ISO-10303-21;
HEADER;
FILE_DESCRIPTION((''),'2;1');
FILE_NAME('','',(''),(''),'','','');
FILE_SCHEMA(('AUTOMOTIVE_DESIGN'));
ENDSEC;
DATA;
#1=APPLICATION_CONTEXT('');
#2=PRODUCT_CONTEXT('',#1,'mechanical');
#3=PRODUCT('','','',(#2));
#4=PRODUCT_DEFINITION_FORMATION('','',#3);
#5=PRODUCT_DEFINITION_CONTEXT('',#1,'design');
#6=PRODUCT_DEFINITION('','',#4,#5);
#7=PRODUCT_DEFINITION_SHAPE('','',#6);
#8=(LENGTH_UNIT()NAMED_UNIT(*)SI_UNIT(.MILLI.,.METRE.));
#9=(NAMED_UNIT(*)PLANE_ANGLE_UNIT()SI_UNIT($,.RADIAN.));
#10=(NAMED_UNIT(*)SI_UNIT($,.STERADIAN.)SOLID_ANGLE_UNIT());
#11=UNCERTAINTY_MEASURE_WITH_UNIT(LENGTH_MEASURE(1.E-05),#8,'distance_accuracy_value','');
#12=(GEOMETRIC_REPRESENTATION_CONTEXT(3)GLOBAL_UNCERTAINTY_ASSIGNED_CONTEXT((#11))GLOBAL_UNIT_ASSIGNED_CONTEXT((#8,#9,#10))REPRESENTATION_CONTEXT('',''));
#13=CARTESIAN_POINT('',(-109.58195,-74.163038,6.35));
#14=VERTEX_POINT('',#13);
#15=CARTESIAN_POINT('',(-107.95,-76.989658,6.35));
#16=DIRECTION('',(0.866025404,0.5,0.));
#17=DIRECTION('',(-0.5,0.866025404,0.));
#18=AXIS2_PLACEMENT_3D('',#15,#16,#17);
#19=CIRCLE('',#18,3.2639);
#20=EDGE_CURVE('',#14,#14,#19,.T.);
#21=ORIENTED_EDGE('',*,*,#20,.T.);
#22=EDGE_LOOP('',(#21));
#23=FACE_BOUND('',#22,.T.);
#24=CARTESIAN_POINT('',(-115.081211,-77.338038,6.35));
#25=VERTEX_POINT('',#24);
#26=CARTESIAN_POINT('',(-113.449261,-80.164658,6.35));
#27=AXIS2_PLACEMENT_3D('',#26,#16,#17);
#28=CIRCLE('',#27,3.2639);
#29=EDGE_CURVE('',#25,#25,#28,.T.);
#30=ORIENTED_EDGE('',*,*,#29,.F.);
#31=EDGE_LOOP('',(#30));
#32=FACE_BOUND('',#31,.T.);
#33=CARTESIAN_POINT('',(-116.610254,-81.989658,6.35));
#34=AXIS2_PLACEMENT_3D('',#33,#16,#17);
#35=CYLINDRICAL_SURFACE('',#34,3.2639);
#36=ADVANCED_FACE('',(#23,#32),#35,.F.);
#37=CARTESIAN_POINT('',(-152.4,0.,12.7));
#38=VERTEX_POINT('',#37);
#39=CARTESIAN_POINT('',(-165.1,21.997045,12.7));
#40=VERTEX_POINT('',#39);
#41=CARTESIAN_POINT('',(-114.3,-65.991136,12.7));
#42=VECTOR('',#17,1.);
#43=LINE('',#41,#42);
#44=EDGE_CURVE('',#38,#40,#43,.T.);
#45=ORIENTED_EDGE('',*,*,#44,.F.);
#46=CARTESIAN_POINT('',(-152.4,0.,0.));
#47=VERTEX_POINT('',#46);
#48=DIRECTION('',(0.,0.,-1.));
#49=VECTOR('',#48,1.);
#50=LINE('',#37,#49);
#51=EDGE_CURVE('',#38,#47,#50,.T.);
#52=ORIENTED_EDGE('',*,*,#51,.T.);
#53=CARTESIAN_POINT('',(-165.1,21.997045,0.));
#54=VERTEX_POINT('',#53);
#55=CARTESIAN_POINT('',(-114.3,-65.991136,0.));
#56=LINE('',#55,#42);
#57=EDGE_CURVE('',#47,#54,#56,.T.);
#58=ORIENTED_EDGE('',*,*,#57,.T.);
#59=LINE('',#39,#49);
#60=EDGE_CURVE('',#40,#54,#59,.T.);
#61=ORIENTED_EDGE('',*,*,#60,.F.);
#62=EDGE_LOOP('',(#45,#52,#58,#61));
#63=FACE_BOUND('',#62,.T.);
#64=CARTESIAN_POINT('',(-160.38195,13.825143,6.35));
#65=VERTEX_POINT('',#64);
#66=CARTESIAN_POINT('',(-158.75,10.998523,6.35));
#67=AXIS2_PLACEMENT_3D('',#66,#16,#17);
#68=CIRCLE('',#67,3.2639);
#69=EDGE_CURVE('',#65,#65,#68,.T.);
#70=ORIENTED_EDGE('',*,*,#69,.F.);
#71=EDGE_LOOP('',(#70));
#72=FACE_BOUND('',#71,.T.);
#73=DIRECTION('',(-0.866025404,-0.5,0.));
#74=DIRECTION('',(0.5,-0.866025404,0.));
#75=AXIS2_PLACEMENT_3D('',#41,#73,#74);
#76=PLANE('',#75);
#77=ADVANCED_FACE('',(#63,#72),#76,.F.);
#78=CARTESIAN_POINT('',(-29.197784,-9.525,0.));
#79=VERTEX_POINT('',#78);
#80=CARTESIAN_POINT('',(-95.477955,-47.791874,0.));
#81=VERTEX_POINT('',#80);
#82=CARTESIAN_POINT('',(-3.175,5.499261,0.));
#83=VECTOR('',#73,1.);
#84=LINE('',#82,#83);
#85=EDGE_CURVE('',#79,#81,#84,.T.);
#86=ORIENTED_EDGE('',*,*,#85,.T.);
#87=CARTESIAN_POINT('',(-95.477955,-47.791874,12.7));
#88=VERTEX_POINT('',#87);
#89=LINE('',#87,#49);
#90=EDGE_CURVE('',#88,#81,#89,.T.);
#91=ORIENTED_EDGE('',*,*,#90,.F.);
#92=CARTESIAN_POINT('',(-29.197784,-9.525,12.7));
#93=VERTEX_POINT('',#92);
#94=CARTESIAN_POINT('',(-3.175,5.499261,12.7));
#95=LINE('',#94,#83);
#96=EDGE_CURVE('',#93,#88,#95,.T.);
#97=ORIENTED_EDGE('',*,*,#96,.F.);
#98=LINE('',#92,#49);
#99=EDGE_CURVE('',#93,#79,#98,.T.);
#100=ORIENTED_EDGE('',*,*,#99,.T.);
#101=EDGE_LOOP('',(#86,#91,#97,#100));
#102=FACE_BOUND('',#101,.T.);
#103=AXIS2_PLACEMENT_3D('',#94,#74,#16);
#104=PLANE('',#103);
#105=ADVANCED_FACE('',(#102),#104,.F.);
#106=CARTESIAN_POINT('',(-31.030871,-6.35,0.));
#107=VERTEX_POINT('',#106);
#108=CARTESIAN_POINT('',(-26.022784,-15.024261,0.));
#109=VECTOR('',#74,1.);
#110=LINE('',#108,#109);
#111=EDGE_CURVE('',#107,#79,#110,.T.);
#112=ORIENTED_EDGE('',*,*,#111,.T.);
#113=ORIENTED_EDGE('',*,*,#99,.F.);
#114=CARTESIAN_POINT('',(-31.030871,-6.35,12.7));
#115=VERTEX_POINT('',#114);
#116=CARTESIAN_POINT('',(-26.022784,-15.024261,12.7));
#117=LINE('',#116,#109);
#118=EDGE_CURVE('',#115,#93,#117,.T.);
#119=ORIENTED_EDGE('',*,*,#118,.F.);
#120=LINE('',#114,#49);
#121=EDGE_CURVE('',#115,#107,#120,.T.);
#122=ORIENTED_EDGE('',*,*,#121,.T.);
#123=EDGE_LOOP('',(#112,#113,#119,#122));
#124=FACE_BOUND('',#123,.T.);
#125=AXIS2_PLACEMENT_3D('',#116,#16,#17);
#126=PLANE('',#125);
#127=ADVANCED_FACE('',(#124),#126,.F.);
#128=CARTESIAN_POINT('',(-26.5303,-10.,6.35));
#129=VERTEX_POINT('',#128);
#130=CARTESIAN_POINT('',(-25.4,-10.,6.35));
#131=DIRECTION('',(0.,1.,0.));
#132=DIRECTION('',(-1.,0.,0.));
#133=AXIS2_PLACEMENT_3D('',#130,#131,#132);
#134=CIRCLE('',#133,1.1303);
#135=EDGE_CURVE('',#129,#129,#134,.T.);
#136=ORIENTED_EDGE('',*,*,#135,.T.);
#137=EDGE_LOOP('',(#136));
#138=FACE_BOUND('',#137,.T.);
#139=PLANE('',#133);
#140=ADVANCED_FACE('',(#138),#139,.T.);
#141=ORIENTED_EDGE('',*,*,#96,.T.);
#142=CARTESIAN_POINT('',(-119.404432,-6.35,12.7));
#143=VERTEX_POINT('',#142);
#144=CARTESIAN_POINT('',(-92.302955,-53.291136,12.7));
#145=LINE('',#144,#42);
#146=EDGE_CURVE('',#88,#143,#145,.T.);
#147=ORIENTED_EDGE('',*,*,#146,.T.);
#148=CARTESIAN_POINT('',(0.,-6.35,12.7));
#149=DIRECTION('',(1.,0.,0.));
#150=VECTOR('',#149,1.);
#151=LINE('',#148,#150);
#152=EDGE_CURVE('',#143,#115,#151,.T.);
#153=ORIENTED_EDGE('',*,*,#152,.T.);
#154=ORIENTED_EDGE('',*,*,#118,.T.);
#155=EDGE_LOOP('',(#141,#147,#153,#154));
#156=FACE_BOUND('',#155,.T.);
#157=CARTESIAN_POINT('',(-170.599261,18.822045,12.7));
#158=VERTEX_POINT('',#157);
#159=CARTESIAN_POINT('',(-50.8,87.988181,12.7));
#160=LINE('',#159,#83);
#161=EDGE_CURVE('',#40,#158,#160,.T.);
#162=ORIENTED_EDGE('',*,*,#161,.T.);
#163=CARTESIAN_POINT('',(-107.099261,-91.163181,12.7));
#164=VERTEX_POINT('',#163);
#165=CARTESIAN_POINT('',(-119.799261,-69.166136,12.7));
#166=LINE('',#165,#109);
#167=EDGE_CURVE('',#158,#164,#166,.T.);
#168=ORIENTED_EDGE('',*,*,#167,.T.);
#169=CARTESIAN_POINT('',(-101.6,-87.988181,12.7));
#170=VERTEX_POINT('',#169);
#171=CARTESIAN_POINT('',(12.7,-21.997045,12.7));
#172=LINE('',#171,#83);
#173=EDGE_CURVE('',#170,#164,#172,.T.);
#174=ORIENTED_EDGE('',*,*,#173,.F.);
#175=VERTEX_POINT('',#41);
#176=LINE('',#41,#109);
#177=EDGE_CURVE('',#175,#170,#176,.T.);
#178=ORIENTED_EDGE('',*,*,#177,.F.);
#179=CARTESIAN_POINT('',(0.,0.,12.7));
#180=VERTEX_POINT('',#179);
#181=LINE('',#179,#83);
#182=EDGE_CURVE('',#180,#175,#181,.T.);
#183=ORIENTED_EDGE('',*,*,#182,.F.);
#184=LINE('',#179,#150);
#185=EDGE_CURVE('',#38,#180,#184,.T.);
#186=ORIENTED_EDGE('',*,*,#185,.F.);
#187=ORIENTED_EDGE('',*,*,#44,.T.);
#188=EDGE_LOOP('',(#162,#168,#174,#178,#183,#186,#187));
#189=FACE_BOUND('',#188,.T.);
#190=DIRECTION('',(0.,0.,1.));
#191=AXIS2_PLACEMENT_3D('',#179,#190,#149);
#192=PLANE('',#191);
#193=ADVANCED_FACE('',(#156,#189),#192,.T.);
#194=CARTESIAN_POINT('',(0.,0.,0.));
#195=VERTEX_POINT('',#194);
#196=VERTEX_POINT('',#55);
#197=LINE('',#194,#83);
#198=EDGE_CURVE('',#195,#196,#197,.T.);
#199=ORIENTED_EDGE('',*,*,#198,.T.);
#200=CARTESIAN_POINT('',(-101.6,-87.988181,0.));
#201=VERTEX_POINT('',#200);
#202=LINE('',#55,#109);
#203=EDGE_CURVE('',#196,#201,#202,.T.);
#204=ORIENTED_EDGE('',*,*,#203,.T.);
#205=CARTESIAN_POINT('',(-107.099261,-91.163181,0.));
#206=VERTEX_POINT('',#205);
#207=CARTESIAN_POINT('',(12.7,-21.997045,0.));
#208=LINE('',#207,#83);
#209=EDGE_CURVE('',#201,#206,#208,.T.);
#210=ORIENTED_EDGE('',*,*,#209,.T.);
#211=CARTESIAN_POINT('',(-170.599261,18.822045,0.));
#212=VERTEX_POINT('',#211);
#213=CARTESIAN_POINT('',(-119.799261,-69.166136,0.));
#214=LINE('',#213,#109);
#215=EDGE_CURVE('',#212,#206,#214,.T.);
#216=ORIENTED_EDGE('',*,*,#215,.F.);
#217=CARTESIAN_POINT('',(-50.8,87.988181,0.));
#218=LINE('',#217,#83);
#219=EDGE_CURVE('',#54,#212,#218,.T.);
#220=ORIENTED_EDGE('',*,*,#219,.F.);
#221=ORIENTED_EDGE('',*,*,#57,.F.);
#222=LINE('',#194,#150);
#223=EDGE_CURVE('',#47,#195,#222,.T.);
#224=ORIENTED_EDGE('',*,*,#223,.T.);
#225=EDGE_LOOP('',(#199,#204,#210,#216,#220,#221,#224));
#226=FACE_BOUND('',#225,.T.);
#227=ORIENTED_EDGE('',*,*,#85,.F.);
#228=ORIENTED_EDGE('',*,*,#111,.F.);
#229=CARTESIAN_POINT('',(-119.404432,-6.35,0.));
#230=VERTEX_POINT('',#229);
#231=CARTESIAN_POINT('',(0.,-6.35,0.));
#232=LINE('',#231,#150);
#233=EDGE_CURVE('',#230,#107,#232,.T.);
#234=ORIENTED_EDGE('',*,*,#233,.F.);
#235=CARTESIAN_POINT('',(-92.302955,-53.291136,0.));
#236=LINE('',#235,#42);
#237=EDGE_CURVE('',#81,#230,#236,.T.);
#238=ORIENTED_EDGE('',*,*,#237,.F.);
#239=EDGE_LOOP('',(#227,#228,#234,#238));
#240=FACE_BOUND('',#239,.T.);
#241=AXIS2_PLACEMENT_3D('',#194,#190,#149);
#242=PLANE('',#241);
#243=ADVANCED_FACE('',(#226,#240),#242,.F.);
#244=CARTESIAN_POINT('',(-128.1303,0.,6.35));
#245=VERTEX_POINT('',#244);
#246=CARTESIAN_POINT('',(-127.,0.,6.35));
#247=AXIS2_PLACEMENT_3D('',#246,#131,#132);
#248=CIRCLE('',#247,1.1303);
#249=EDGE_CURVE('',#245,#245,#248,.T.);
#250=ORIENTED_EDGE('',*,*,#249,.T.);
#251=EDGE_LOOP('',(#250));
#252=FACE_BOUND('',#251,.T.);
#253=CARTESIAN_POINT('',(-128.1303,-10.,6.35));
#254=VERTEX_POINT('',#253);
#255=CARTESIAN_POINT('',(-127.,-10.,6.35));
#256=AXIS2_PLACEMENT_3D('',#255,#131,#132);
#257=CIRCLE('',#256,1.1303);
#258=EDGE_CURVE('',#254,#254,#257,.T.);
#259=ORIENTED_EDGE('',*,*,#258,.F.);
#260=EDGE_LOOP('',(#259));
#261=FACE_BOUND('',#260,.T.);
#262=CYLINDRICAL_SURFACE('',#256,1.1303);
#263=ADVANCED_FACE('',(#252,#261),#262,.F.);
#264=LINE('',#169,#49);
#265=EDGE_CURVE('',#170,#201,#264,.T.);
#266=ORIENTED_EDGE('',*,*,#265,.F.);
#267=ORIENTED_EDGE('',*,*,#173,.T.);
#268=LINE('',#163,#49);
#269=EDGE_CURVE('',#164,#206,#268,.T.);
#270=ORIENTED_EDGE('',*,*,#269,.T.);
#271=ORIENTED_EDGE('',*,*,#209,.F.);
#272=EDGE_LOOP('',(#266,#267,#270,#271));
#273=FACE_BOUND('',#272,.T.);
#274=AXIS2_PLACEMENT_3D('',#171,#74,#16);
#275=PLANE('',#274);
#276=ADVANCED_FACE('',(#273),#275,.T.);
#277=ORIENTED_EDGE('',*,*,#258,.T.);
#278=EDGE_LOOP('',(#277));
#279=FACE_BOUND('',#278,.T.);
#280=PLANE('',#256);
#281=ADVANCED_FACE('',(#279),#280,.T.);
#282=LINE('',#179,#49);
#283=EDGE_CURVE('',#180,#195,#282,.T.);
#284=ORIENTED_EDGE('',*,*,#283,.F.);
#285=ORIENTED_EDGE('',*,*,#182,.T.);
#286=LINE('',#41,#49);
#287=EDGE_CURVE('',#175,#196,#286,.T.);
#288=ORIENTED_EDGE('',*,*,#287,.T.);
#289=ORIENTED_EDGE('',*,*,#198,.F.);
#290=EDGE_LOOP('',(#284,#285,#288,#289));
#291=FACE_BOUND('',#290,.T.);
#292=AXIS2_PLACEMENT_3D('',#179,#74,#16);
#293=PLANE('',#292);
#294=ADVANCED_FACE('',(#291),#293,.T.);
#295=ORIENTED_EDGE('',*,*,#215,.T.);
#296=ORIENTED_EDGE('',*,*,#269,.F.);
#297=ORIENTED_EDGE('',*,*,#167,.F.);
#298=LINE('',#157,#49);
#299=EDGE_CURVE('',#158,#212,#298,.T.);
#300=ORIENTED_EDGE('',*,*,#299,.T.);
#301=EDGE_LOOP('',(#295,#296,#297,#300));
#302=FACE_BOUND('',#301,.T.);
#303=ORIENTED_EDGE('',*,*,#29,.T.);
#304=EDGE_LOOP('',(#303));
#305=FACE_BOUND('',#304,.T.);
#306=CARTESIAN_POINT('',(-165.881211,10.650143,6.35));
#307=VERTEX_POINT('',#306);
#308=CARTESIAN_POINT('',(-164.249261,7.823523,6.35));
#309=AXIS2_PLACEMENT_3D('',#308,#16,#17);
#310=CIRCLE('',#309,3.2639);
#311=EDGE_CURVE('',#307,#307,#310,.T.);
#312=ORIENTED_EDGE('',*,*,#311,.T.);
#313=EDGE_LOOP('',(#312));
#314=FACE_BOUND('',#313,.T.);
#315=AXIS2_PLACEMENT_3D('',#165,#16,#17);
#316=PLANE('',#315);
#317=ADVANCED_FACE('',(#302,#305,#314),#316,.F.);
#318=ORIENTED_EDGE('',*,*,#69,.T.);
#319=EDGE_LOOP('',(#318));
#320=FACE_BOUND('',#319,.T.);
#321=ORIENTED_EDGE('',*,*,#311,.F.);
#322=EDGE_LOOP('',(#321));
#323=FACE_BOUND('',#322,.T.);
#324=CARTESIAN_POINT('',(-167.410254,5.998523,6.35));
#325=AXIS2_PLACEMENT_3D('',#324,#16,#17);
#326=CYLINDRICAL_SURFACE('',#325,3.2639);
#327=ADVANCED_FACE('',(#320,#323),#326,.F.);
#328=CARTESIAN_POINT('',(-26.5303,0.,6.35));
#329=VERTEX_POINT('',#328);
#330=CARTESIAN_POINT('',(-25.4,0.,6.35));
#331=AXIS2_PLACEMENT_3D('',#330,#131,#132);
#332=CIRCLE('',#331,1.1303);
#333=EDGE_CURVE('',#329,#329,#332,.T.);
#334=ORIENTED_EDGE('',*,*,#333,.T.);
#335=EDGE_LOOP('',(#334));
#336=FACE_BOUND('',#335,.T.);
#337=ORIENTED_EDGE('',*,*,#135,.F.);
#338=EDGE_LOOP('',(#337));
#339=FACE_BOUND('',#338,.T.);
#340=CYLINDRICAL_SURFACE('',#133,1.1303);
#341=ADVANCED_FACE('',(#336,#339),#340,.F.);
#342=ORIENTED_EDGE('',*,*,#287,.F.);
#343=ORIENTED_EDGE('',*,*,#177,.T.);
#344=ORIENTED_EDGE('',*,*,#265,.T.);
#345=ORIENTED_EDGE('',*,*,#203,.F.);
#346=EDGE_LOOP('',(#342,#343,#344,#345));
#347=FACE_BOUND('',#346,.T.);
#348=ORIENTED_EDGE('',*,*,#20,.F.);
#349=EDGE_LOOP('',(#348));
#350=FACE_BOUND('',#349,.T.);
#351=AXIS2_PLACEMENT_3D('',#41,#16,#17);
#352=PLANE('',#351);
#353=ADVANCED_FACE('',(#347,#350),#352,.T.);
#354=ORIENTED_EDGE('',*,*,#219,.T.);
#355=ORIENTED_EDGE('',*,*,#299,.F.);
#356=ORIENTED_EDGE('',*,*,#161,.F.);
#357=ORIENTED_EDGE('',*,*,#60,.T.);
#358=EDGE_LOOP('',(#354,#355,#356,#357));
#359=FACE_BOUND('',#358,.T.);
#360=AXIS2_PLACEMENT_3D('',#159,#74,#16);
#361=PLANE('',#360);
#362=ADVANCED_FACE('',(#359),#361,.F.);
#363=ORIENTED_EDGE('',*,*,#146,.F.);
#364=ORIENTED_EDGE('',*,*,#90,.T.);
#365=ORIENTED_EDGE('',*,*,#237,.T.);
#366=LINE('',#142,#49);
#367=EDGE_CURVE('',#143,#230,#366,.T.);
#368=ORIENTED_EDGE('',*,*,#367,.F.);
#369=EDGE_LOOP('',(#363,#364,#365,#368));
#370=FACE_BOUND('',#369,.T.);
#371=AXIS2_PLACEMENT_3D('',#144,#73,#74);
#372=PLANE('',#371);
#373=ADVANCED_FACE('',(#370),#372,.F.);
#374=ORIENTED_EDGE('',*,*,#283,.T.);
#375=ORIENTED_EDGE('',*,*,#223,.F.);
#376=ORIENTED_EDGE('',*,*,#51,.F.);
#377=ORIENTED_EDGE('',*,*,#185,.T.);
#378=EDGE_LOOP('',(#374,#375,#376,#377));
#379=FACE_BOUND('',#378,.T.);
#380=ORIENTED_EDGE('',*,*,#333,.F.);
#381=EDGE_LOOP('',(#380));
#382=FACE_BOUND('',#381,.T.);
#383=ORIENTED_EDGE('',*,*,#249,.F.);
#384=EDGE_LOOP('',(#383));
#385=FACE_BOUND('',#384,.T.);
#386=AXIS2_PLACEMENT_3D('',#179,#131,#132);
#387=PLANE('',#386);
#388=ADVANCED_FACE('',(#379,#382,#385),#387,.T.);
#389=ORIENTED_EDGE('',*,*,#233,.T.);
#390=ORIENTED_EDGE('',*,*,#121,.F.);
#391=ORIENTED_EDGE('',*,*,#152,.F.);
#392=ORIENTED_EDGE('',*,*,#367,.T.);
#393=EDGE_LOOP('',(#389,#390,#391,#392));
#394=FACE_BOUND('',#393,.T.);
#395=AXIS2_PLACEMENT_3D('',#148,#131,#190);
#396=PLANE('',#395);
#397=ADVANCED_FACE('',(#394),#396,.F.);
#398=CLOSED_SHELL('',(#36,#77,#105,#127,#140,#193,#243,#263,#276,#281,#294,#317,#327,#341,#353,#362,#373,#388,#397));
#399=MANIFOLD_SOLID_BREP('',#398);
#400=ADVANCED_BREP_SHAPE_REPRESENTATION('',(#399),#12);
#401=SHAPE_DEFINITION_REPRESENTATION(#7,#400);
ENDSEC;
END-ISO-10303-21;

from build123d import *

# Parameters (mm, degrees)
BOSS_EXTRUDE1_DEPTH = 12.7
SKETCH2_R           = 1.1303
CUT_EXTRUDE1_DEPTH  = 10
SKETCH3_R           = 3.2639
CUT_EXTRUDE2_DEPTH  = 10


with BuildPart() as part:
    # Sketch1 → Boss-Extrude1 (new body)
    # profile 1 of 4: a face of its own
    with BuildSketch(Plane.XY):
        Polygon((-152.4, 0), (0, 0), (-114.3, -65.991135768), align=None)
        Polygon((-119.404432116, -6.35), (-31.030871047, -6.35), (-29.197783942, -9.525), (-95.477954744, -47.791874454), align=None, mode=Mode.SUBTRACT)
    # profile 2 of 4: a face of its own
    with BuildSketch(Plane.XY):
        Polygon((-165.1, 21.997045256), (-170.599261314, 18.822045256), (-157.899261314, -3.175), (-152.4, 0), align=None)
    # profile 3 of 4: a face of its own
    with BuildSketch(Plane.XY):
        Polygon((-157.899261314, -3.175), (-119.799261314, -69.166135768), (-114.3, -65.991135768), (-152.4, 0), align=None)
    # profile 4 of 4: a face of its own
    with BuildSketch(Plane.XY):
        Polygon((-107.099261314, -91.163181024), (-119.799261314, -69.166135768), (-114.3, -65.991135768), (-101.6, -87.988181024), align=None)
    extrude(amount=BOSS_EXTRUDE1_DEPTH)

    # Sketch2 → Cut-Extrude1 (cut)
    with BuildSketch(Plane(origin=(0, 0, 0), x_dir=(1, 0, 0), z_dir=(0, 1, 0))):
        with Locations(Location((-127, -6.35, 0), (0, 0, 180))):
            Circle(SKETCH2_R)
        with Locations(Location((-25.4, -6.35, 0), (0, 0, 180))):
            Circle(SKETCH2_R)
    extrude(amount=-CUT_EXTRUDE1_DEPTH, mode=Mode.SUBTRACT)

    # Sketch3 → Cut-Extrude2 (cut)
    with BuildSketch(Plane(origin=(-114.3, -65.991135768, 0), x_dir=(0, 0, -1), z_dir=(0.8660254037844342, 0.5000000000000079, 0))):
        with Locations(Location((-6.35, 88.9, 0), (0, 0, 90))):
            Circle(SKETCH3_R)
        with Locations(Location((-6.35, -12.7, 0), (0, 0, 90))):
            Circle(SKETCH3_R)
    extrude(amount=-CUT_EXTRUDE2_DEPTH, mode=Mode.SUBTRACT)


solid = part.part
